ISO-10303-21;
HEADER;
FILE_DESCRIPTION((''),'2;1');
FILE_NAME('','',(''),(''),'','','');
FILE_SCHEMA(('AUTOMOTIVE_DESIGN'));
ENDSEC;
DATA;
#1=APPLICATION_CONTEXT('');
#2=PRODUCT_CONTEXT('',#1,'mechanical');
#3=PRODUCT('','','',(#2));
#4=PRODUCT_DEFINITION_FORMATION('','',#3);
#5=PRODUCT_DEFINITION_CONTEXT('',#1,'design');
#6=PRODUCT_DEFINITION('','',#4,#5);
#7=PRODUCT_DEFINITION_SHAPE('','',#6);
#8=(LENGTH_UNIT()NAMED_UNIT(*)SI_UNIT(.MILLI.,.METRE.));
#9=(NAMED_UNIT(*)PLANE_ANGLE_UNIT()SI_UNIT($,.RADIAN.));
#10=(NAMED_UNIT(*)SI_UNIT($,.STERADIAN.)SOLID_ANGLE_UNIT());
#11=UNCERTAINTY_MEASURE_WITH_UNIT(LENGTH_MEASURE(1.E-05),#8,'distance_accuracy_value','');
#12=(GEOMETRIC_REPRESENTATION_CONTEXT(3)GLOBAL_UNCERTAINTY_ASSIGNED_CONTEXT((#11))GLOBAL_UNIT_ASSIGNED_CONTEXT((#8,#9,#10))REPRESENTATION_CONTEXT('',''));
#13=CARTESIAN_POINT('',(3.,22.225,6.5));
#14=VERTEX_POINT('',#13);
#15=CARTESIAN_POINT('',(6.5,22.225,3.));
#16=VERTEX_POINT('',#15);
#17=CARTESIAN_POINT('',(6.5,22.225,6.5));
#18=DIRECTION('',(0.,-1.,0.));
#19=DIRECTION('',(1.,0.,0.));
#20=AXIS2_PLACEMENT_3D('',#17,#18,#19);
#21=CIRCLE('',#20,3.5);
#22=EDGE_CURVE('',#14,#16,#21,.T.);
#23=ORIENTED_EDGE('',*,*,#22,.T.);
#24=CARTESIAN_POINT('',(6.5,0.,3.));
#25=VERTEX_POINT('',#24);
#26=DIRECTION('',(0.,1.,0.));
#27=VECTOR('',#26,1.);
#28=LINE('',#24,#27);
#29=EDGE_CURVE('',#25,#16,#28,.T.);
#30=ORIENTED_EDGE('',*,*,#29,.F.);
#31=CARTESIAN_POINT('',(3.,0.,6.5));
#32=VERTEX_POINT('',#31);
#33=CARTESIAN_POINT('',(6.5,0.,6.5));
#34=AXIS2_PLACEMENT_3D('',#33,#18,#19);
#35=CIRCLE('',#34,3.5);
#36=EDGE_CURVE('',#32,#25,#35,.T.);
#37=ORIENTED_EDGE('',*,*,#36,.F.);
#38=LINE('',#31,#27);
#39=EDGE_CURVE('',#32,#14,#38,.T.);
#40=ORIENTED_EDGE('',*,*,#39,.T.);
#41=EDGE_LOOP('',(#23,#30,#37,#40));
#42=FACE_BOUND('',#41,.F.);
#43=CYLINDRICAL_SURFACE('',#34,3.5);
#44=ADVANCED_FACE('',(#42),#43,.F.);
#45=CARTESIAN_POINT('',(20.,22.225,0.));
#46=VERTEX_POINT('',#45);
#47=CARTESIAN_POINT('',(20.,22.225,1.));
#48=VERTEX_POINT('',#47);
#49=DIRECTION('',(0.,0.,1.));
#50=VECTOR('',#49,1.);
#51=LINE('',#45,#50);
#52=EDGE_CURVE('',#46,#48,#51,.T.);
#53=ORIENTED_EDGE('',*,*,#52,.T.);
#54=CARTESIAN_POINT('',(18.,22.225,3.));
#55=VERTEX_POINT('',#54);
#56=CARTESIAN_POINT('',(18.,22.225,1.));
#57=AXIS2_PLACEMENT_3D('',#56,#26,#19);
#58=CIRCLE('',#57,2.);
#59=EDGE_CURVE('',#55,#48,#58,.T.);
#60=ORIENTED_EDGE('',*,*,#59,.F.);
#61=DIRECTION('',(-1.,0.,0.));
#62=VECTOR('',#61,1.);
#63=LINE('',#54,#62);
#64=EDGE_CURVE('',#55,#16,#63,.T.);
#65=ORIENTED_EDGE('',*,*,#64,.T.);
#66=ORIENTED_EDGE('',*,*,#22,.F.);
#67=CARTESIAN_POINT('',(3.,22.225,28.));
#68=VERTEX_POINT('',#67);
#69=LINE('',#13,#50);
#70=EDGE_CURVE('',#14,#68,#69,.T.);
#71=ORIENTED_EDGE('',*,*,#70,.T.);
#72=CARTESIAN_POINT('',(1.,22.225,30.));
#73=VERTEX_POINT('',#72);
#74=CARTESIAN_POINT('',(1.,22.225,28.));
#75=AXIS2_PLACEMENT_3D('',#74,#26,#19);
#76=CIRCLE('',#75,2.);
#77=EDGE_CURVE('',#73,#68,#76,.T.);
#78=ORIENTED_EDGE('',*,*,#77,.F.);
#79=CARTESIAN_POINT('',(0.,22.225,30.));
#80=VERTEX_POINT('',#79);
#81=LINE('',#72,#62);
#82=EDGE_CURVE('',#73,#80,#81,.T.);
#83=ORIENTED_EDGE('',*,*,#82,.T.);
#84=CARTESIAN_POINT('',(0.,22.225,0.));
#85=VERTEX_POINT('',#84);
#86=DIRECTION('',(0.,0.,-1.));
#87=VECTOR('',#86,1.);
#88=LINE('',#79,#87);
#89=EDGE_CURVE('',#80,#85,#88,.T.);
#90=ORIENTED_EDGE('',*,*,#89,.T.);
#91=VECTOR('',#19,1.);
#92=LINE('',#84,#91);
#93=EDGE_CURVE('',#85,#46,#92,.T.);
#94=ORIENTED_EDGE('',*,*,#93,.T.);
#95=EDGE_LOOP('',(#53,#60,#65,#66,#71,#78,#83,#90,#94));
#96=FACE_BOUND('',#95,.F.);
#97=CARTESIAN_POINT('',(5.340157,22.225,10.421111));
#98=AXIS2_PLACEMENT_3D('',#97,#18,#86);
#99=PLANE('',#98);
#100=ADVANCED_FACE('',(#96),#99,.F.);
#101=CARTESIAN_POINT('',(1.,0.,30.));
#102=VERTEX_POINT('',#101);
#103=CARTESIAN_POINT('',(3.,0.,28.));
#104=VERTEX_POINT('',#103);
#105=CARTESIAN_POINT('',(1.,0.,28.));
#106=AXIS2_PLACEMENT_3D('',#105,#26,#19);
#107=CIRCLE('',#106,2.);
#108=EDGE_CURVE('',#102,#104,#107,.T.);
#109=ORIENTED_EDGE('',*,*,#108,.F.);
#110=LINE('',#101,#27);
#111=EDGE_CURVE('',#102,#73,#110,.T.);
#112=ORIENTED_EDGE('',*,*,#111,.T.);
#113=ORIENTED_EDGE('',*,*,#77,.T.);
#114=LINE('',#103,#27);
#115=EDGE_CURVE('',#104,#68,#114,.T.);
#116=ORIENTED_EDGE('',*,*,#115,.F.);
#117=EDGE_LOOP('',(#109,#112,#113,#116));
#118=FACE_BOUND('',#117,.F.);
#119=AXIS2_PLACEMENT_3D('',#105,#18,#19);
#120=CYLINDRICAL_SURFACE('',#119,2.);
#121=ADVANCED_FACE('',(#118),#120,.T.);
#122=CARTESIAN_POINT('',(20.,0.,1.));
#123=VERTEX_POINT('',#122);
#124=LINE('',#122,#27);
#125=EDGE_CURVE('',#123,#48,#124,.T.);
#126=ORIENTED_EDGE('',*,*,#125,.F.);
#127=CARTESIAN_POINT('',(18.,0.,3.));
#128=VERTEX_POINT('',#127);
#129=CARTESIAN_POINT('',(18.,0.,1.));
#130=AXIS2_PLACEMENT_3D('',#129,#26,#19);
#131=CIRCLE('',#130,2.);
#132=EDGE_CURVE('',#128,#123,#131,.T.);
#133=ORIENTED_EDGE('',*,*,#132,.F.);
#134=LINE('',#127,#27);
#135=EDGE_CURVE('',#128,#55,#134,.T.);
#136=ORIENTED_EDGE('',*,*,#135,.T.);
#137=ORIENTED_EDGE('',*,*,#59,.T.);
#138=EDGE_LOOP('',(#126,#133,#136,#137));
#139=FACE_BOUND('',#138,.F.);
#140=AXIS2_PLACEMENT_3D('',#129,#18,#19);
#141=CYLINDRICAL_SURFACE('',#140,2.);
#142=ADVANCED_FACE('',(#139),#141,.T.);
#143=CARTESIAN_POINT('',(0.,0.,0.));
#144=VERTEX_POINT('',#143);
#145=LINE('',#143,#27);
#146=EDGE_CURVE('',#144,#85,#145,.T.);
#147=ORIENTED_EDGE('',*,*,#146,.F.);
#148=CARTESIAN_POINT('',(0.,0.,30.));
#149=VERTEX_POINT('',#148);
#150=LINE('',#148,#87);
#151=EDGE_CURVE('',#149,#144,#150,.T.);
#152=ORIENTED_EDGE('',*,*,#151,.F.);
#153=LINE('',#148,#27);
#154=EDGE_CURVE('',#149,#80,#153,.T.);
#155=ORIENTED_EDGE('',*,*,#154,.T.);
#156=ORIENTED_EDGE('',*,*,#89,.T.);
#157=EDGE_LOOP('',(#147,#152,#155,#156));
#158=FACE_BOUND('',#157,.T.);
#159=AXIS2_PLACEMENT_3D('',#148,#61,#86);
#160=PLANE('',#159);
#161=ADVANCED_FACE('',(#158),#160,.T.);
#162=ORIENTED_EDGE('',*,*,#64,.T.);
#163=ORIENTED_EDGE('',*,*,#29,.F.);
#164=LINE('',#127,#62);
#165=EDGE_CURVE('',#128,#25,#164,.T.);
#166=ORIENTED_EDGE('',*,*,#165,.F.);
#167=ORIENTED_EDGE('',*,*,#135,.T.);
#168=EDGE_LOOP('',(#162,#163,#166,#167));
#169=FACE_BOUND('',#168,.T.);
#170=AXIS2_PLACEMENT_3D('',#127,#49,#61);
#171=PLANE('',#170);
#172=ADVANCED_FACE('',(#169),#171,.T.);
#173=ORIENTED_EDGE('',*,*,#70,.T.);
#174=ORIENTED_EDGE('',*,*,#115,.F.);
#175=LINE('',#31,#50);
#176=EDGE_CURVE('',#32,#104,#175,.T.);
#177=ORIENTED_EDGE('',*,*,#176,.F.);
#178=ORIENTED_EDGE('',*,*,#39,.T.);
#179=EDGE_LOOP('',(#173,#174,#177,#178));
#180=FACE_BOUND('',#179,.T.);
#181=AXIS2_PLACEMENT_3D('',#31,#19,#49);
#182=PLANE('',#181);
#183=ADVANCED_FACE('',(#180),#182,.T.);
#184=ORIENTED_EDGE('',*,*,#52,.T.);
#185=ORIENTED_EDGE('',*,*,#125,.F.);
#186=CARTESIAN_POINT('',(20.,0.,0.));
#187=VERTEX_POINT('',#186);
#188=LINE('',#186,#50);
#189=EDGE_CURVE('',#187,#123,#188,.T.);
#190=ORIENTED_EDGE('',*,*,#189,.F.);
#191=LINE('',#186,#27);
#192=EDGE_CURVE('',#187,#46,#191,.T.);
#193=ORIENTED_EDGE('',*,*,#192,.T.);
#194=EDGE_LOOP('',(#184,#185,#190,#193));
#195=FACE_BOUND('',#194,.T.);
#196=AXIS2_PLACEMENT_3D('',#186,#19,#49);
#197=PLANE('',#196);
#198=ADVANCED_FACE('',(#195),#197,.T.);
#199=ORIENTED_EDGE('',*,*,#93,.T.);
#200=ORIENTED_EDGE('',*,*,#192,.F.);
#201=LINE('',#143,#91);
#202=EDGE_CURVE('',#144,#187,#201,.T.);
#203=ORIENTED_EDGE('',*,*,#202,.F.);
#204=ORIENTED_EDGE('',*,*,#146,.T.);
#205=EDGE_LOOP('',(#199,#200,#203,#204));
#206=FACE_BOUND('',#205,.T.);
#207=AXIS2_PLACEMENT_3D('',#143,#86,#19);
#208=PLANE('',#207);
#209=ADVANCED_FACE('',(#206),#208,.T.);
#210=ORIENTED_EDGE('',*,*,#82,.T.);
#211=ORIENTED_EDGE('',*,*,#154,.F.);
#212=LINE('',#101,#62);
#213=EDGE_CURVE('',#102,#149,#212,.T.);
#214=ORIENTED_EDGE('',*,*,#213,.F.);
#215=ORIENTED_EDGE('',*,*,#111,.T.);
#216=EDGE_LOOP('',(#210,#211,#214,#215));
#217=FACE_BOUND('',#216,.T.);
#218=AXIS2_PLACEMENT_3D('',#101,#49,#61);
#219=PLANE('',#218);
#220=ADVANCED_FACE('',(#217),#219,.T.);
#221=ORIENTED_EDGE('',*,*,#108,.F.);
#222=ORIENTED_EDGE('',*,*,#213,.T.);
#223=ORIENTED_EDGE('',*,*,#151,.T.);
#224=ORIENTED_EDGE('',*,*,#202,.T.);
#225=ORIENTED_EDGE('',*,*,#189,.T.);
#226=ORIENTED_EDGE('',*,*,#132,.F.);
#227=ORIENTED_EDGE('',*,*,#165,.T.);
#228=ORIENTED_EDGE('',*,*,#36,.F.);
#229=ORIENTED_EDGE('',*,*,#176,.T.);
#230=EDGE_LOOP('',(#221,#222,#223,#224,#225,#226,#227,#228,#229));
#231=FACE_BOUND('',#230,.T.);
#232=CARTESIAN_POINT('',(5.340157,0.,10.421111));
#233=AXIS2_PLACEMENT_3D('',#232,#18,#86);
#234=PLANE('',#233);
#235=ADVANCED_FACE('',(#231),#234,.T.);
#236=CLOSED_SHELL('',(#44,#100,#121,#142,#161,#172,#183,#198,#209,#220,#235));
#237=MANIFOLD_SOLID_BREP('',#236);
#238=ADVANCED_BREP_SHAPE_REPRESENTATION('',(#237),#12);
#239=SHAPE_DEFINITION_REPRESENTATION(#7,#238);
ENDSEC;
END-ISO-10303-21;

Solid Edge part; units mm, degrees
sketch "Sketch1" plane through (0, 0, 0) normal (0, -1, 0) x (1, 0, 0)
  line L0 (20, 0) -> (20, 1)
  arc A0 (18, 3) -> (20, 1) centre (18, 1) cw
  line L1 (18, 3) -> (6.5, 3)
  arc A1 (3, 6.5) -> (6.5, 3) centre (6.5, 6.5) ccw
  line L2 (3, 6.5) -> (3, 28)
  arc A2 (1, 30) -> (3, 28) centre (1, 28) cw
  line L3 (1, 30) -> (0, 30)
  line L4 (0, 30) -> (0, 0)
  line L5 (0, 0) -> (20, 0)
  dimension "D1" = 30
  dimension "D2" = 20
  dimension "D3" = 3
  dimension "D4" = 3
extrude "Protrusion1" add sketch "Sketch1" against normal blind 22.225
